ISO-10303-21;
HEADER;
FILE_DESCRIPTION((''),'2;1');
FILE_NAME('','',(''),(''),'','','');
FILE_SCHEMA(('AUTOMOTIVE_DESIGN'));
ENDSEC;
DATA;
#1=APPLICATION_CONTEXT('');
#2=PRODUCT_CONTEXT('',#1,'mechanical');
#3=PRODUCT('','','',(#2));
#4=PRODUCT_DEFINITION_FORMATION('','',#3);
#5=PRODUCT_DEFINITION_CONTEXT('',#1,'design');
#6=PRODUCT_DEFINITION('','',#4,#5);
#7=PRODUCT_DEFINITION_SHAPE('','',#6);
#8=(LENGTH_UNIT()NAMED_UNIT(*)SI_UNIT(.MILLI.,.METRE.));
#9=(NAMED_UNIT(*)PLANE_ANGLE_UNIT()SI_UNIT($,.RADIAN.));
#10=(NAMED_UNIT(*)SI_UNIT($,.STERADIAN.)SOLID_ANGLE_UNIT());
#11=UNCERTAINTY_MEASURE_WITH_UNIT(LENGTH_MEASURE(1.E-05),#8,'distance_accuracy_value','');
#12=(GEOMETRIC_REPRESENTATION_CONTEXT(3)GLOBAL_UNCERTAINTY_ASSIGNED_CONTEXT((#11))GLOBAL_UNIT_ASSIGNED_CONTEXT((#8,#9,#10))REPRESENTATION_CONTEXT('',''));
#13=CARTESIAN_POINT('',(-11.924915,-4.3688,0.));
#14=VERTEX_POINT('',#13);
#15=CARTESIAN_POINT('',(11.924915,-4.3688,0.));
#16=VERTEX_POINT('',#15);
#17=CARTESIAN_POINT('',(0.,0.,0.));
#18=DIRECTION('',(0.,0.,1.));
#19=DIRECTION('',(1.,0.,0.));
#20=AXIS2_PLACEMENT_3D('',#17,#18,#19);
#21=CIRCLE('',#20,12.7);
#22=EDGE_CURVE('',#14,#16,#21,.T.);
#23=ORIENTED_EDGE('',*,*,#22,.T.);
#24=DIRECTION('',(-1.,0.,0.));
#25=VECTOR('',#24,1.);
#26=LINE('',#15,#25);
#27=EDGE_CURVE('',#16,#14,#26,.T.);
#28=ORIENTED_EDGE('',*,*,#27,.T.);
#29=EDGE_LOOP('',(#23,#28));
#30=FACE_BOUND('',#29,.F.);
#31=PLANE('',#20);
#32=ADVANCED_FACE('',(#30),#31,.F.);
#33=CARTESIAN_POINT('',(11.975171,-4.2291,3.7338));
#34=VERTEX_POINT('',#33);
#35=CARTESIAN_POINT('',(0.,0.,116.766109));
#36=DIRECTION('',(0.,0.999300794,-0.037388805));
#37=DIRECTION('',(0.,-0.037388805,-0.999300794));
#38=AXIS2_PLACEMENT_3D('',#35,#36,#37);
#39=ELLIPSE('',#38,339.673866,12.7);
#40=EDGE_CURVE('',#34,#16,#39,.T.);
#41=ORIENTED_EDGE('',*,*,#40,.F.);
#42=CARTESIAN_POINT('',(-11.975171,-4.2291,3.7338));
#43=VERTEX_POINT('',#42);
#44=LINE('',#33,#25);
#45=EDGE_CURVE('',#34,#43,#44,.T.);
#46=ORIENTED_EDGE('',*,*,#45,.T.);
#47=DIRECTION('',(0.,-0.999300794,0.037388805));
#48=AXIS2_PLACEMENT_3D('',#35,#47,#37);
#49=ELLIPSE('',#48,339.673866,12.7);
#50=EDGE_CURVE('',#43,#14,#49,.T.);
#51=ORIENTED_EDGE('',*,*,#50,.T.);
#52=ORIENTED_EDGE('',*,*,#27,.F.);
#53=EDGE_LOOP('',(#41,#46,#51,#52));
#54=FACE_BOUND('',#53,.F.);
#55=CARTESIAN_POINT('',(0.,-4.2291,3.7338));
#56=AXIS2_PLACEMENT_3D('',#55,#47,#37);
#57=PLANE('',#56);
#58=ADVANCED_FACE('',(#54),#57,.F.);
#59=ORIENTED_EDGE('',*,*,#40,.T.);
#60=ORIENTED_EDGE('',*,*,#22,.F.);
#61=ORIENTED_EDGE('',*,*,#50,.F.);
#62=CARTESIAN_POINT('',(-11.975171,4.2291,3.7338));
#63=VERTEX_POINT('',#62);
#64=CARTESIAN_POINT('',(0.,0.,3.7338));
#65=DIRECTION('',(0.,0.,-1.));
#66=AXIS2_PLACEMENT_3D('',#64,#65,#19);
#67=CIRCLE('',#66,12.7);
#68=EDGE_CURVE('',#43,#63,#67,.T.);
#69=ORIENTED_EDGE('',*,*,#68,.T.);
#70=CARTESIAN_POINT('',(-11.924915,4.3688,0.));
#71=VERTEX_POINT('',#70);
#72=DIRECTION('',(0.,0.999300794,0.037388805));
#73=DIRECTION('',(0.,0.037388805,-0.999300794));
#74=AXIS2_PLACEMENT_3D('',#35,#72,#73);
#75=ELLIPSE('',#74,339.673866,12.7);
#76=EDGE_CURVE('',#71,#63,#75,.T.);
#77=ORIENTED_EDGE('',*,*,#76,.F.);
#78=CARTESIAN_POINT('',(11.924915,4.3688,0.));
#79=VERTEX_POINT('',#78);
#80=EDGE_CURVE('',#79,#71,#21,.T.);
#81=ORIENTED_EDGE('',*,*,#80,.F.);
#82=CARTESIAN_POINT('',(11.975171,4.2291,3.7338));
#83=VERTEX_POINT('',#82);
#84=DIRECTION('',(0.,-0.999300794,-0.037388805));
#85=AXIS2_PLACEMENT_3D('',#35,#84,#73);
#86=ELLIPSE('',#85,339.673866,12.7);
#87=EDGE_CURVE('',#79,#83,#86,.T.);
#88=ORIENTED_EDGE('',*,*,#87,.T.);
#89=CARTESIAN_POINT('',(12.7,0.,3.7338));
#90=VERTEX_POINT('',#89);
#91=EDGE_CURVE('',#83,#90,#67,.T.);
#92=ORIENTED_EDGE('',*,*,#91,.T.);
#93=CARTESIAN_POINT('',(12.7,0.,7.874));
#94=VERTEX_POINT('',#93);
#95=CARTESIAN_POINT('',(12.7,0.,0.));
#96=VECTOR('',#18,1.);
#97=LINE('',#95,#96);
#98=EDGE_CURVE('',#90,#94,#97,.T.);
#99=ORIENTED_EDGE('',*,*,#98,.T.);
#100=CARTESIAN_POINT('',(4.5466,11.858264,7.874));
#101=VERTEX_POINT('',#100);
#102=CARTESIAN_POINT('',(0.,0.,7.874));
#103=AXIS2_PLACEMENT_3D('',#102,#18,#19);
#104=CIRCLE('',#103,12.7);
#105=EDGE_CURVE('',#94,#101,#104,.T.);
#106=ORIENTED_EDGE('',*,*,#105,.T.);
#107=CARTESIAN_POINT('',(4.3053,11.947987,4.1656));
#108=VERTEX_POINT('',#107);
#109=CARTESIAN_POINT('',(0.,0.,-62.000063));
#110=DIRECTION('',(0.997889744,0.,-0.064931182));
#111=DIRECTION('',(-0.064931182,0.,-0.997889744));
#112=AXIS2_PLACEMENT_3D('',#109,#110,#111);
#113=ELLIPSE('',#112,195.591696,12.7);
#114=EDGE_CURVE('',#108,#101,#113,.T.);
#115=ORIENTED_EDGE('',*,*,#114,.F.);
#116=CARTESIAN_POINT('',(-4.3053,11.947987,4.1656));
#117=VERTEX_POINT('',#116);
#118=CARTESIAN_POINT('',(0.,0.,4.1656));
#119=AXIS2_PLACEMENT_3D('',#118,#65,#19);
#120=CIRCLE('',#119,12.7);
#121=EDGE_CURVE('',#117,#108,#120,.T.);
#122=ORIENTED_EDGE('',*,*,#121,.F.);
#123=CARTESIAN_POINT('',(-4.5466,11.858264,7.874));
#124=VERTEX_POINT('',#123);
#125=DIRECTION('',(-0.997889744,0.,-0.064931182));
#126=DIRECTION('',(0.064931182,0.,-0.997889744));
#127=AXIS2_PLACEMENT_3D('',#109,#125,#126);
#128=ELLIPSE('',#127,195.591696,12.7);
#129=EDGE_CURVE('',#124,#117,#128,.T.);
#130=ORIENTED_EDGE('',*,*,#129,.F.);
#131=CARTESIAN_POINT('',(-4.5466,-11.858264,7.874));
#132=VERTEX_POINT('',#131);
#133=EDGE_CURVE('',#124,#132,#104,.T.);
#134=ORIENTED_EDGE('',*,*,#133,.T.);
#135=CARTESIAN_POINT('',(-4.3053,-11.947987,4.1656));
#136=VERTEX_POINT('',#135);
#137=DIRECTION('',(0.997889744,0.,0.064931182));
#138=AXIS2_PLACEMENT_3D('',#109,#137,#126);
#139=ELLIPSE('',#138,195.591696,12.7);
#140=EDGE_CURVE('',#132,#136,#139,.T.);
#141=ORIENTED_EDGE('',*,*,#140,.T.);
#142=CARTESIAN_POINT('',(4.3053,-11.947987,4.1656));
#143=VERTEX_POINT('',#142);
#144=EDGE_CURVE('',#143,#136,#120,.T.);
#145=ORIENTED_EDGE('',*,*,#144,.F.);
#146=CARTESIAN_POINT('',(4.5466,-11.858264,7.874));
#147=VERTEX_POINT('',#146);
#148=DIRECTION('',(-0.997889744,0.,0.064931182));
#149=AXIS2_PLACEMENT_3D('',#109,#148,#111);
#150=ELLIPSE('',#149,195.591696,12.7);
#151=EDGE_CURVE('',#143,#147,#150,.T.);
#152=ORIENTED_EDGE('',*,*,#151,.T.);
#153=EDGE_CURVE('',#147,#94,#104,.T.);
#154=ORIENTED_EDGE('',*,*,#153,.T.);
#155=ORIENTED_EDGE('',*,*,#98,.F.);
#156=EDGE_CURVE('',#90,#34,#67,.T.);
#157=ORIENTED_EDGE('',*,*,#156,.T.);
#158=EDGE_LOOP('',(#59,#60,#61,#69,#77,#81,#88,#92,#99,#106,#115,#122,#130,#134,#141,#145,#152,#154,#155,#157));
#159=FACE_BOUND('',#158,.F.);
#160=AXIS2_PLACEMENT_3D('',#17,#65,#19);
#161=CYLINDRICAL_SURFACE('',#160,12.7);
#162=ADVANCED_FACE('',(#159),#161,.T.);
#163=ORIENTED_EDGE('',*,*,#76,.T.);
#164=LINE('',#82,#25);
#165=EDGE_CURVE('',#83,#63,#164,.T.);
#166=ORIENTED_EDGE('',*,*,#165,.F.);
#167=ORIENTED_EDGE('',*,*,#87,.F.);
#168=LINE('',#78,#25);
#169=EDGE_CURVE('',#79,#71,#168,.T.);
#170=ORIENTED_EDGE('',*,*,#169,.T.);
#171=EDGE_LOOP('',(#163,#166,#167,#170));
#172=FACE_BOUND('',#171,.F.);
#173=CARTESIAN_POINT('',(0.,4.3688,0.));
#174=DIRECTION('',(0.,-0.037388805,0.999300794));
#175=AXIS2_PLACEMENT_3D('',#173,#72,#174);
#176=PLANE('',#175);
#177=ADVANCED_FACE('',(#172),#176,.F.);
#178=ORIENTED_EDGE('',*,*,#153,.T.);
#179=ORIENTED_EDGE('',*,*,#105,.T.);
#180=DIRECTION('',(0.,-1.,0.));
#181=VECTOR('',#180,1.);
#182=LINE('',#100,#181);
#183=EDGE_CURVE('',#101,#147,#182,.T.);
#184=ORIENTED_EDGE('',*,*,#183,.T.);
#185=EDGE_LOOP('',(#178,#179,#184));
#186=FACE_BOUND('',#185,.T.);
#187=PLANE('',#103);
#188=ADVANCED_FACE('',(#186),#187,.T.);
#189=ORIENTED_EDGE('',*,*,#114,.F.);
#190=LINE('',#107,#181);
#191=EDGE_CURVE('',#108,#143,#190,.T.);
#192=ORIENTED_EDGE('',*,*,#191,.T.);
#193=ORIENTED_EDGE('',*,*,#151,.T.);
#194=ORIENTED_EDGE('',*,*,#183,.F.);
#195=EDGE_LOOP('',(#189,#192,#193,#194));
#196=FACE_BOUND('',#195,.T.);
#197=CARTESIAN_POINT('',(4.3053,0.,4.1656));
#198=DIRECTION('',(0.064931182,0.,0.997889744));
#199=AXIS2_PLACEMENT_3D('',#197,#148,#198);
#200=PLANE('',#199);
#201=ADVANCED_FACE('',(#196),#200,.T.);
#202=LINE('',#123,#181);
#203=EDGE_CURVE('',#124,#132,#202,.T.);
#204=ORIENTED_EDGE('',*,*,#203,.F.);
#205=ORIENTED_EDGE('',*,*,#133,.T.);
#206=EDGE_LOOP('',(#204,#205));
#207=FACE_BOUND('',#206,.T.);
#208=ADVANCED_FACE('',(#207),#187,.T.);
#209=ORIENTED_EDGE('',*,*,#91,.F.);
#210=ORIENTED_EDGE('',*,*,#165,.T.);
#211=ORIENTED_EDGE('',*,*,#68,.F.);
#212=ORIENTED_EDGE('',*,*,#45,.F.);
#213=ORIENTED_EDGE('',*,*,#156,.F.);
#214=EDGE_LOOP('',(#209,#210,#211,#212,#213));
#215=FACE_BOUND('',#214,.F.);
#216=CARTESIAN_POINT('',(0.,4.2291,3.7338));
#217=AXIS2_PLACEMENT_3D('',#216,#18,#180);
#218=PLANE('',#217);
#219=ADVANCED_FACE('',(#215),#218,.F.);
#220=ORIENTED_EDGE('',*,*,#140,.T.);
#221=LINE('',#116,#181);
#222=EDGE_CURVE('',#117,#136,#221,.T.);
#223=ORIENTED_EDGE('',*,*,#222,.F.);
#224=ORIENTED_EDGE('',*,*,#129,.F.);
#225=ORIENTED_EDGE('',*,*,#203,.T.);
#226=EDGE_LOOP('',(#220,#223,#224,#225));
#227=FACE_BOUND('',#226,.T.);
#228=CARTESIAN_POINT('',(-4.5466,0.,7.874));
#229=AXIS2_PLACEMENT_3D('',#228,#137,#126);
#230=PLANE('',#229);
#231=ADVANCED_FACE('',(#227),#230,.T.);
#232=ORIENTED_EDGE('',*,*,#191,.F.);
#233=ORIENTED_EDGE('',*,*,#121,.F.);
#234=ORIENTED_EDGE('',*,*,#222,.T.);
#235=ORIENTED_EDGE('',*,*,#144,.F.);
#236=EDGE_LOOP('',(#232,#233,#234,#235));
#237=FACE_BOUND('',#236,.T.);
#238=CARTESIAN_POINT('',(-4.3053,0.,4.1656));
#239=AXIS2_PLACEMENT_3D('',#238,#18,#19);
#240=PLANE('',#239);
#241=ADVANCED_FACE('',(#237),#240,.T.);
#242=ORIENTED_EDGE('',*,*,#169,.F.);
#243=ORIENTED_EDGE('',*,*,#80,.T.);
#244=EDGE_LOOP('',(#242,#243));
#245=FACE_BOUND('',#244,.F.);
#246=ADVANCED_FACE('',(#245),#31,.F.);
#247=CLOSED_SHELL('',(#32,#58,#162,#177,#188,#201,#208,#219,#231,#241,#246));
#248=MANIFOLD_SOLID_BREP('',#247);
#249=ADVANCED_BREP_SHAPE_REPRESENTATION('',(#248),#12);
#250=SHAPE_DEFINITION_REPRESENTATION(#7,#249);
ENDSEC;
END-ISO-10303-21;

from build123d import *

# Parameters (mm, degrees)
F0_R          = 12.7
F1_DEPTH      = 7.874
F3_DEPTH      = 25.4
F3_DEPTH_BACK = 25.4
F5_DEPTH      = 25.4
F5_DEPTH_BACK = 25.4


with BuildPart() as f1:
    # F0 (on Top) → F1 (new body)
    with BuildSketch(Plane.XY):
        Circle(F0_R)
    extrude(amount=F1_DEPTH)

    # F2 (on Front) → F3 (cut, two sides)
    with BuildSketch(Plane.XZ) as f3_sk:
        Polygon((4.5466, 7.874), (-4.5466, 7.874), (-4.3053, 4.1656), (4.3053, 4.1656), align=None)
    extrude(amount=-F3_DEPTH, mode=Mode.SUBTRACT)
    extrude(f3_sk.sketch, amount=F3_DEPTH_BACK, mode=Mode.SUBTRACT)

    # F4 (on Right) → F5 (cut, two sides)
    with BuildSketch(Plane.YZ) as f5_sk:
        Polygon((4.3688, 0), (4.2291, 3.7338), (-4.2291, 3.7338), (-4.3688, 0), align=None)
    extrude(amount=-F5_DEPTH, mode=Mode.SUBTRACT)
    extrude(f5_sk.sketch, amount=F5_DEPTH_BACK, mode=Mode.SUBTRACT)


solid = f1.part
